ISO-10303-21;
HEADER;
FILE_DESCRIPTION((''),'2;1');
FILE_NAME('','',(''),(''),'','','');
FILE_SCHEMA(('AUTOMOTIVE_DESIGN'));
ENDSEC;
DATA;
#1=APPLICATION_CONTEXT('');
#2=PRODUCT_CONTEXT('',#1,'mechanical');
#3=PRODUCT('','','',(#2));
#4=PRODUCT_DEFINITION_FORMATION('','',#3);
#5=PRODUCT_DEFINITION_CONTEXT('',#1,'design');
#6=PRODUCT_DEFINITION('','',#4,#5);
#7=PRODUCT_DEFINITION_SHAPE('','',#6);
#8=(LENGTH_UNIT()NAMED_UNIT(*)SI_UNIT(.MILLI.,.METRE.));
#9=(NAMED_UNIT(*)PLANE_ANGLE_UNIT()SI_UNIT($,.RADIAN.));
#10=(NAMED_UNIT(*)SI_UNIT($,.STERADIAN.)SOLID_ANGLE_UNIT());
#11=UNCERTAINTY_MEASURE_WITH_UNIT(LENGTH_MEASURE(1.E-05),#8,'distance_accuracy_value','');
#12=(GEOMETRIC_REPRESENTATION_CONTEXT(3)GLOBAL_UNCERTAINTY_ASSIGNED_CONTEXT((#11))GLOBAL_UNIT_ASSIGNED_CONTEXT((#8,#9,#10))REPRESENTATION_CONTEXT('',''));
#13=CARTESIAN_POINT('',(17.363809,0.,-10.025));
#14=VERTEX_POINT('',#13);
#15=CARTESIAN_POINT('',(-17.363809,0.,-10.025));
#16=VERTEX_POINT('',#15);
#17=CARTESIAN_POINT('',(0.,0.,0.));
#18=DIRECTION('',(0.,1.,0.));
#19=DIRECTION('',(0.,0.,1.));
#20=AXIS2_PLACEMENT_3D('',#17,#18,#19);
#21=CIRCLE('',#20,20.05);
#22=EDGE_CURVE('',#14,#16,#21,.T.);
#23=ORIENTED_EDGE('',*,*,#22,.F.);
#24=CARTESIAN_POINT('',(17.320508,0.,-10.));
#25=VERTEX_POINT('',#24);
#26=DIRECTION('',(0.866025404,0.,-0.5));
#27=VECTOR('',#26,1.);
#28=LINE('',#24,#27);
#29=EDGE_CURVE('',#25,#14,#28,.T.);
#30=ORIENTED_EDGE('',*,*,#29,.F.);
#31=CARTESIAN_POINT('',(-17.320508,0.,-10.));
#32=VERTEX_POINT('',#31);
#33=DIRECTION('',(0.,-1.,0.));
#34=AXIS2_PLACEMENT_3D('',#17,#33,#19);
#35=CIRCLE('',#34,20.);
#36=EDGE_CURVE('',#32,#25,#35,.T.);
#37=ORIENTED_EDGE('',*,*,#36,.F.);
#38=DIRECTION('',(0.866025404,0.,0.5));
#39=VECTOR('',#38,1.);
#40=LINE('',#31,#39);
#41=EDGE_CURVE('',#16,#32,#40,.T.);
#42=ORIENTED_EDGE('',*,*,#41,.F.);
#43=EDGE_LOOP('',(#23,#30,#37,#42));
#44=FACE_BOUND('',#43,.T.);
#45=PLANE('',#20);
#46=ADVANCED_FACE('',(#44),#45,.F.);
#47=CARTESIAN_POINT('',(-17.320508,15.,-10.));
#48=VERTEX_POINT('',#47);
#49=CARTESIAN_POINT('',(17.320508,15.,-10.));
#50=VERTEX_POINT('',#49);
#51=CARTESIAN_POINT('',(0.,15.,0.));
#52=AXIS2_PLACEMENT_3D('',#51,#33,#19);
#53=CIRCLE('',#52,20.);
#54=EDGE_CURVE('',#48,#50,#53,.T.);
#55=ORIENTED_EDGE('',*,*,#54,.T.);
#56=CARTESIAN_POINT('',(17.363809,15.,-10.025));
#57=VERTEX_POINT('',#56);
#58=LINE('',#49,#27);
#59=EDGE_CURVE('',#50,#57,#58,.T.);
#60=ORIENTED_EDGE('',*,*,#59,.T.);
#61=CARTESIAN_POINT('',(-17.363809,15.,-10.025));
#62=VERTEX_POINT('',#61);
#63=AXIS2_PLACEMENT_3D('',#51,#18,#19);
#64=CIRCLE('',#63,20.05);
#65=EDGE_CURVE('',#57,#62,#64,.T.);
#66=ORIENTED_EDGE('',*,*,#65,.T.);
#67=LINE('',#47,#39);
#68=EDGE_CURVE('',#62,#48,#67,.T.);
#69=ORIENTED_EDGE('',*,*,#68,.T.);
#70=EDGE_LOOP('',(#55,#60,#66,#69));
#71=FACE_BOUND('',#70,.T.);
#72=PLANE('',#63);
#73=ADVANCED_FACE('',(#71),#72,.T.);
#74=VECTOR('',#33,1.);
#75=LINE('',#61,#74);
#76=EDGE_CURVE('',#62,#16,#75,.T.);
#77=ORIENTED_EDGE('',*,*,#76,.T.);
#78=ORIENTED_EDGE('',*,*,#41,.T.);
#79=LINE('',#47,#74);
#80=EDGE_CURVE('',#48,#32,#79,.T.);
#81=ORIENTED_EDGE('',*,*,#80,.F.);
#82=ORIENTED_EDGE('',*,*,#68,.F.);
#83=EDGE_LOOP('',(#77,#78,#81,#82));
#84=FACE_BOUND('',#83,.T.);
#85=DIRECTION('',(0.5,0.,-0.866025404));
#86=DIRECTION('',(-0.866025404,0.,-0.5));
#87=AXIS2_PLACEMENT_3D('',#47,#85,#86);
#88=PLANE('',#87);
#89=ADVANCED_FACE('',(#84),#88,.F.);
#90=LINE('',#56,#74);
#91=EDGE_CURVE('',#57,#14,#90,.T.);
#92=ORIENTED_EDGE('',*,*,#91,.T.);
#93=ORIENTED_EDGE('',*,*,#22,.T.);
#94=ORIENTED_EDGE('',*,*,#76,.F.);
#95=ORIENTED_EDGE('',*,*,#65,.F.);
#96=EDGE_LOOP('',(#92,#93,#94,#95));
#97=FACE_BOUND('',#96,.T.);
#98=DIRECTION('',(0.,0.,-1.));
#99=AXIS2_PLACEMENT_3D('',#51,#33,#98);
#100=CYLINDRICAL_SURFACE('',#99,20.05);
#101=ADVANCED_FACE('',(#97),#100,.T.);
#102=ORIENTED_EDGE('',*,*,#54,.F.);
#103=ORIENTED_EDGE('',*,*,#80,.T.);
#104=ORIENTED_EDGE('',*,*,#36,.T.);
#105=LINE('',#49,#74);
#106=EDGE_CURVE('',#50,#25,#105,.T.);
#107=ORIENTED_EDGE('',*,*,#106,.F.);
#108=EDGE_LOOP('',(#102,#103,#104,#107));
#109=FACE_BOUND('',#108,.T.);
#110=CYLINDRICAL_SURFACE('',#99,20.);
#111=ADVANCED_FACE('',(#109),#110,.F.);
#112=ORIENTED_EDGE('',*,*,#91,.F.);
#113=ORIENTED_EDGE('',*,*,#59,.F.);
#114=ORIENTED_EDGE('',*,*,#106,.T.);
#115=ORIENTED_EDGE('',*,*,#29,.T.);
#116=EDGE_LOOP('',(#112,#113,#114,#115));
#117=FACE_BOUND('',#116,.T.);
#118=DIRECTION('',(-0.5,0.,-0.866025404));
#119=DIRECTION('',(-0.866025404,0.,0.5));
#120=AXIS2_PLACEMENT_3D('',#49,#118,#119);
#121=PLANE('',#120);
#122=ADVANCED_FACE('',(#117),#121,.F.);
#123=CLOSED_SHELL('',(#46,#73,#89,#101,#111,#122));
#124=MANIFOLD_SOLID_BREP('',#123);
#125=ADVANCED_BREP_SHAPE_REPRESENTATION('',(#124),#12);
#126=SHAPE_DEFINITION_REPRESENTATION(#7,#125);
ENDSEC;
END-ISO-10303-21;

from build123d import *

# Parameters (mm, degrees)
Y_KSEKLIK_EKSTR_ZYON1_DEPTH = 15


with BuildPart() as part:
    # Çizim1 → Yükseklik-Ekstrüzyon1 (new body)
    with BuildSketch(Plane(origin=(0, 0, 0), x_dir=(1, 0, 0), z_dir=(0, 1, 0))):
        with BuildLine():
            Line((17.320508076, 10), (17.363809346, 10.025))
            ThreePointArc((17.363809346, 10.025), (0, 20.05), (-17.363809346, 10.025))
            Line((-17.363809346, 10.025), (-17.320508076, 10))
            ThreePointArc((-17.320508076, 10), (0, 20), (17.320508076, 10))
        make_face()
    extrude(amount=Y_KSEKLIK_EKSTR_ZYON1_DEPTH)


solid = part.part
